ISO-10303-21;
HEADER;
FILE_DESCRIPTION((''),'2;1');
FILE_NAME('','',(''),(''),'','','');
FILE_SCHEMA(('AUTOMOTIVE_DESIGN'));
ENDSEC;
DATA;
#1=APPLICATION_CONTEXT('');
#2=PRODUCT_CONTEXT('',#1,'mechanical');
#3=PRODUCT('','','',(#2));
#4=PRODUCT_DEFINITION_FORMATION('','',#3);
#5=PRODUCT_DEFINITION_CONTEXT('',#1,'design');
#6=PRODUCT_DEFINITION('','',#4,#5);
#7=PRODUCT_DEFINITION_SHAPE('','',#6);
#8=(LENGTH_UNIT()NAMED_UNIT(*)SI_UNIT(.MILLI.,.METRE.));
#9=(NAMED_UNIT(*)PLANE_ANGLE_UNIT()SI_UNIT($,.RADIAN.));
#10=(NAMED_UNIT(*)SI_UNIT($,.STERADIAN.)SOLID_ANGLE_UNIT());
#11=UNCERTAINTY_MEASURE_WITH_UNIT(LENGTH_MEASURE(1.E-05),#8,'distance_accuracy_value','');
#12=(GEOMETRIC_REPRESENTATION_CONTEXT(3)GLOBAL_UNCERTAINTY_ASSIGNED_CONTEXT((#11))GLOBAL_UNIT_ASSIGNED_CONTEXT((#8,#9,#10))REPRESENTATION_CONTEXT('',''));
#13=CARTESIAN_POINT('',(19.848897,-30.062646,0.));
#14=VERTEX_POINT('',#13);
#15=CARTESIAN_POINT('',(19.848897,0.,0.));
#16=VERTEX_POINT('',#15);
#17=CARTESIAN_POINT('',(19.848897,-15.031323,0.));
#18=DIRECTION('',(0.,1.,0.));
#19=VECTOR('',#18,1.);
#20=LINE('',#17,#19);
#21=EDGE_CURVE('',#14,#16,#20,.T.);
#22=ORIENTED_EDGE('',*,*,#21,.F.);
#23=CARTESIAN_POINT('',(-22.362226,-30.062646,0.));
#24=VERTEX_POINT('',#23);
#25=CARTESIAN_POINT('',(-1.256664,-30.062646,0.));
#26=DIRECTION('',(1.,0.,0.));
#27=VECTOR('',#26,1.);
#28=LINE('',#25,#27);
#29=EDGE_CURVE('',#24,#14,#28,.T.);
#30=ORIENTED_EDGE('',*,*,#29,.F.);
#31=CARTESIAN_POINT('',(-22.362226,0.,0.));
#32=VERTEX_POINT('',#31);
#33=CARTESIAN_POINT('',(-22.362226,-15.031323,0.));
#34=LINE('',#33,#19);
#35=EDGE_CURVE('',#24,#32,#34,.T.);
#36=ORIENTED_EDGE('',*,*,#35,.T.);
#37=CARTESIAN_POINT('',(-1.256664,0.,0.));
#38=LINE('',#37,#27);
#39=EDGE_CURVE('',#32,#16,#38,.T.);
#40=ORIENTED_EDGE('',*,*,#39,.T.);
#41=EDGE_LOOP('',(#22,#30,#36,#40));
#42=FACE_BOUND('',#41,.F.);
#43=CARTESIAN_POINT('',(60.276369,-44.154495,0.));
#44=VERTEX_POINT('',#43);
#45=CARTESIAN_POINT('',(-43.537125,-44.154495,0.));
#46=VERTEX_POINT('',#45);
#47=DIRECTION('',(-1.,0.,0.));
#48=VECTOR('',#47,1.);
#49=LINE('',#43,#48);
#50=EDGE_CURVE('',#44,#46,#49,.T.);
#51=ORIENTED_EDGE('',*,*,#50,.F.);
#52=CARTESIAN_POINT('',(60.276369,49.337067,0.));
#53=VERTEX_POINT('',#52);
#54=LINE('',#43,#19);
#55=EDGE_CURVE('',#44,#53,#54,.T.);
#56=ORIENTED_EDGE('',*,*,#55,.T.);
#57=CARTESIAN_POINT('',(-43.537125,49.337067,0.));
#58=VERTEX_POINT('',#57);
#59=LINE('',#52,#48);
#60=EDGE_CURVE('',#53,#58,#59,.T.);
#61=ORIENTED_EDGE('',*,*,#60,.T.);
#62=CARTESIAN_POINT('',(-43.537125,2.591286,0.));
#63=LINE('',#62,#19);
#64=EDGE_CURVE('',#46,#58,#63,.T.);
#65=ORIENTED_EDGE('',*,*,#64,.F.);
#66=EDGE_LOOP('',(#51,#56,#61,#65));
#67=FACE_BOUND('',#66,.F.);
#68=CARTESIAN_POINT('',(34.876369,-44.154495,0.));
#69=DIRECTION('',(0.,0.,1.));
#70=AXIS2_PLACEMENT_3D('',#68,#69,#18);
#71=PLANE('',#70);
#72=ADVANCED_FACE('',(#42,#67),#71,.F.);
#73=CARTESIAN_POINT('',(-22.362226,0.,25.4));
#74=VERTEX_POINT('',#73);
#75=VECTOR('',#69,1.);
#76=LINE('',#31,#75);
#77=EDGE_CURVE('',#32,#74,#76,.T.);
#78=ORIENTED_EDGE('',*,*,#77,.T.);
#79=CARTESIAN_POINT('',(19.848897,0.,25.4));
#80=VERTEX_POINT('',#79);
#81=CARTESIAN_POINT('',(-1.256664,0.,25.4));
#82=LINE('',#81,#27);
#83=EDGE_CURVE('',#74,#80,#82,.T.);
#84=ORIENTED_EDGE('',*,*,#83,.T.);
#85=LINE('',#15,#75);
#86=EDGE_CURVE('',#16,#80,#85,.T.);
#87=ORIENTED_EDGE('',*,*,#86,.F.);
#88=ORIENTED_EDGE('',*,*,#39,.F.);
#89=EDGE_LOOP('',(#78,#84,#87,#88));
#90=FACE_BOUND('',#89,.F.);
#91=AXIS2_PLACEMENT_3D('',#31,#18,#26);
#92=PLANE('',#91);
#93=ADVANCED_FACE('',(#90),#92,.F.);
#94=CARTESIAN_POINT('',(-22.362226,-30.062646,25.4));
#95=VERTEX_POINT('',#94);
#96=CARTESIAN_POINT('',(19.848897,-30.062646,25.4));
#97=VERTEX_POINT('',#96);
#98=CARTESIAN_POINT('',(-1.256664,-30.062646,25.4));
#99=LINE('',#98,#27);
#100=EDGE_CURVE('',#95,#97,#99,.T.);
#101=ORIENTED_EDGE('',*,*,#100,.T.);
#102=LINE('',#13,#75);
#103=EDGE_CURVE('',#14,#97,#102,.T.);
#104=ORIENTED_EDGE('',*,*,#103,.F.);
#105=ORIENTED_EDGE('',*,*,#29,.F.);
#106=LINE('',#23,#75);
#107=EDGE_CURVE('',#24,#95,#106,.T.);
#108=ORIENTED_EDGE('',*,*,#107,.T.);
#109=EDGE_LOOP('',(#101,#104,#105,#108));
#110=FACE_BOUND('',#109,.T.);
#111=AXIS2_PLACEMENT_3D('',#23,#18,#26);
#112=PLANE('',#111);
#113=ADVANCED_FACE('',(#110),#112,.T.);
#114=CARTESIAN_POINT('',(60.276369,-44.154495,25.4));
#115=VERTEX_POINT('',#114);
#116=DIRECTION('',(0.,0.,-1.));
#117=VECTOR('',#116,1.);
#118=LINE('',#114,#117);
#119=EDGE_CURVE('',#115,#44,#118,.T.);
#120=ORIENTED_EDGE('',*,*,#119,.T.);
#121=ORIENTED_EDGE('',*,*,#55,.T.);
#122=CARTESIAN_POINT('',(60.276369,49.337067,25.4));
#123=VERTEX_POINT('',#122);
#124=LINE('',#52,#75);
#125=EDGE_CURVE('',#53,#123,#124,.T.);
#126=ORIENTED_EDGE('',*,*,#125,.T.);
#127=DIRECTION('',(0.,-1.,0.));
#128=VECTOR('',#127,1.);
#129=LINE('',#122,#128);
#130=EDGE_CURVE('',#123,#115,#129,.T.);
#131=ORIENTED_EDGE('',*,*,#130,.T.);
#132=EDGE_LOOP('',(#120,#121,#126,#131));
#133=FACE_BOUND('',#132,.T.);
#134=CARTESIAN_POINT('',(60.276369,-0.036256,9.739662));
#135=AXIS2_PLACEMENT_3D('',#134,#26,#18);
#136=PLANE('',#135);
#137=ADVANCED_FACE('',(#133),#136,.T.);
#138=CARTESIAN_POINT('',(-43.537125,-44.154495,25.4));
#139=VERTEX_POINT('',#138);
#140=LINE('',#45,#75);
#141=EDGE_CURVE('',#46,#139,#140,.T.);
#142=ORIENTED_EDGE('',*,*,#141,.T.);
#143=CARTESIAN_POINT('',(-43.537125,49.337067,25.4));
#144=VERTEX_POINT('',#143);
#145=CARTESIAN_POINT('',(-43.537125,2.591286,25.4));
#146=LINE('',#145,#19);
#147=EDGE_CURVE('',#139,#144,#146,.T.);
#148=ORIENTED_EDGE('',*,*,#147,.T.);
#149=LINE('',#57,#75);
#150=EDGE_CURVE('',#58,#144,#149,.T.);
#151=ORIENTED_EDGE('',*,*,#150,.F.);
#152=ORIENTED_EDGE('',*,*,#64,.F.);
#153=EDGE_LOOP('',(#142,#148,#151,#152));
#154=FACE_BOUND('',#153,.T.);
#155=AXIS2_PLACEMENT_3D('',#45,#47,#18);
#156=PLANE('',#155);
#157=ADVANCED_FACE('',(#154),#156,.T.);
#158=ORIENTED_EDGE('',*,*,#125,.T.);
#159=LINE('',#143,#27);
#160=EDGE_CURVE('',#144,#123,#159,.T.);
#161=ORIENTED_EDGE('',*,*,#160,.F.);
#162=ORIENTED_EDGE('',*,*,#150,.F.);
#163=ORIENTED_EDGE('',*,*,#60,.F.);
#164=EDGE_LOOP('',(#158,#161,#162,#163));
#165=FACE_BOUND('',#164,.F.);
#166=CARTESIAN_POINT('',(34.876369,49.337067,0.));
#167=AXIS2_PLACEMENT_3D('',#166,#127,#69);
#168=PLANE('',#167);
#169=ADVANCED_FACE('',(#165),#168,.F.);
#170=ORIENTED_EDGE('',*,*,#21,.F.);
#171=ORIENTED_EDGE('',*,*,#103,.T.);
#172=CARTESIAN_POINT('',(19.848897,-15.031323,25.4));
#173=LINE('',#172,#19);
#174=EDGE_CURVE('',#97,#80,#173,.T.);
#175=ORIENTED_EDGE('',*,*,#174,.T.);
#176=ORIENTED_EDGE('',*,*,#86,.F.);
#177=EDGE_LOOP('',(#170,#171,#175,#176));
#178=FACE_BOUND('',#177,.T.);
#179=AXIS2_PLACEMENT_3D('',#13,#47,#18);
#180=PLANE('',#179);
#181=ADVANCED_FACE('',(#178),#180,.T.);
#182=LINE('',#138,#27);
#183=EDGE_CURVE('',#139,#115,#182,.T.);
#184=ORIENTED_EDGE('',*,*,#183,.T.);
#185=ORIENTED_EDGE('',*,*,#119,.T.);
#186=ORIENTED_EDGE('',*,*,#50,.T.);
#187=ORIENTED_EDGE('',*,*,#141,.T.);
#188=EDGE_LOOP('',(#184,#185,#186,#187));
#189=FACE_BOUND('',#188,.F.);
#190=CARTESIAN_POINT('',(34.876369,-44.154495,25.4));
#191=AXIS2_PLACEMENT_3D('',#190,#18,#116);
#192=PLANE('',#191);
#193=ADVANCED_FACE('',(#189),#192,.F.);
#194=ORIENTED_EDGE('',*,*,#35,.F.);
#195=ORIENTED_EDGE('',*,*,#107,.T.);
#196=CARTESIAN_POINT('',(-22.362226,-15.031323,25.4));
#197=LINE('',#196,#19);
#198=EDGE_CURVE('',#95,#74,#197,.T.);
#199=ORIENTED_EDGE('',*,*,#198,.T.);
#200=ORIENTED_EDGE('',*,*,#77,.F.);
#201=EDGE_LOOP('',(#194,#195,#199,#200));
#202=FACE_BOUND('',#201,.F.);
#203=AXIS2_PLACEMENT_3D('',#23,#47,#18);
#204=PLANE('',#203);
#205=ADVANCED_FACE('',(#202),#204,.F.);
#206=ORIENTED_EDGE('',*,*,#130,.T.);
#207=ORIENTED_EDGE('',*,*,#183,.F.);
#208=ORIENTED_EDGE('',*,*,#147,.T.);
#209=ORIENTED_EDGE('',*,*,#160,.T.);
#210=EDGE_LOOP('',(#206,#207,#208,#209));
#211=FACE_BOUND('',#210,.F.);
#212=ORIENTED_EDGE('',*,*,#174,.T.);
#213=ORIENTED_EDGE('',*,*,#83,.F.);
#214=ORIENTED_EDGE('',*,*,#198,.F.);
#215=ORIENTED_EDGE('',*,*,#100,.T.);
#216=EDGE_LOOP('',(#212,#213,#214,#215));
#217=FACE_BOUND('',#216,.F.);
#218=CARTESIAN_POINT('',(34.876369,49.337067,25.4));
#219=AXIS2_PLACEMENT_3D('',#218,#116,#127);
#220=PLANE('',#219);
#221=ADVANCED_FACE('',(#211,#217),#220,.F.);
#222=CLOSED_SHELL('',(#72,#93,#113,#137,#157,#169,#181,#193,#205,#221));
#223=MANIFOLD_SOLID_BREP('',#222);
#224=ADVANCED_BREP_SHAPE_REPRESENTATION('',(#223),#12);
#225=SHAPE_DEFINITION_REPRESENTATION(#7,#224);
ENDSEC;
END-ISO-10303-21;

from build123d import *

# Parameters (mm, degrees)
F0_W     = 78.413494
F0_H     = 93.491562
F0_W_2   = 42.211123
F0_H_2   = 30.062646
F1_DEPTH = 25.4
F3_DEPTH = 25.4


with BuildPart() as f1:
    # F0 (on Top) → F1 (new body)
    with BuildSketch(Plane.XY):
        with Locations((-4.330378, 2.591286)):
            Rectangle(F0_W, F0_H)
        with Locations((-1.256664, -15.031323)):
            Rectangle(F0_W_2, F0_H_2, mode=Mode.SUBTRACT)
    extrude(amount=F1_DEPTH)

    # F2 (on face) → F3 (join)
    with BuildSketch(Plane.YZ.offset(34.876369)):
        Polygon((49.337067, 0), (49.337067, 12.7), (-44.154495, 25.4), (-44.154495, 0), align=None)
        Polygon((-44.154495, 25.4), (49.337067, 12.7), (49.337067, 25.4), align=None)
    extrude(amount=F3_DEPTH)


solid = f1.part
